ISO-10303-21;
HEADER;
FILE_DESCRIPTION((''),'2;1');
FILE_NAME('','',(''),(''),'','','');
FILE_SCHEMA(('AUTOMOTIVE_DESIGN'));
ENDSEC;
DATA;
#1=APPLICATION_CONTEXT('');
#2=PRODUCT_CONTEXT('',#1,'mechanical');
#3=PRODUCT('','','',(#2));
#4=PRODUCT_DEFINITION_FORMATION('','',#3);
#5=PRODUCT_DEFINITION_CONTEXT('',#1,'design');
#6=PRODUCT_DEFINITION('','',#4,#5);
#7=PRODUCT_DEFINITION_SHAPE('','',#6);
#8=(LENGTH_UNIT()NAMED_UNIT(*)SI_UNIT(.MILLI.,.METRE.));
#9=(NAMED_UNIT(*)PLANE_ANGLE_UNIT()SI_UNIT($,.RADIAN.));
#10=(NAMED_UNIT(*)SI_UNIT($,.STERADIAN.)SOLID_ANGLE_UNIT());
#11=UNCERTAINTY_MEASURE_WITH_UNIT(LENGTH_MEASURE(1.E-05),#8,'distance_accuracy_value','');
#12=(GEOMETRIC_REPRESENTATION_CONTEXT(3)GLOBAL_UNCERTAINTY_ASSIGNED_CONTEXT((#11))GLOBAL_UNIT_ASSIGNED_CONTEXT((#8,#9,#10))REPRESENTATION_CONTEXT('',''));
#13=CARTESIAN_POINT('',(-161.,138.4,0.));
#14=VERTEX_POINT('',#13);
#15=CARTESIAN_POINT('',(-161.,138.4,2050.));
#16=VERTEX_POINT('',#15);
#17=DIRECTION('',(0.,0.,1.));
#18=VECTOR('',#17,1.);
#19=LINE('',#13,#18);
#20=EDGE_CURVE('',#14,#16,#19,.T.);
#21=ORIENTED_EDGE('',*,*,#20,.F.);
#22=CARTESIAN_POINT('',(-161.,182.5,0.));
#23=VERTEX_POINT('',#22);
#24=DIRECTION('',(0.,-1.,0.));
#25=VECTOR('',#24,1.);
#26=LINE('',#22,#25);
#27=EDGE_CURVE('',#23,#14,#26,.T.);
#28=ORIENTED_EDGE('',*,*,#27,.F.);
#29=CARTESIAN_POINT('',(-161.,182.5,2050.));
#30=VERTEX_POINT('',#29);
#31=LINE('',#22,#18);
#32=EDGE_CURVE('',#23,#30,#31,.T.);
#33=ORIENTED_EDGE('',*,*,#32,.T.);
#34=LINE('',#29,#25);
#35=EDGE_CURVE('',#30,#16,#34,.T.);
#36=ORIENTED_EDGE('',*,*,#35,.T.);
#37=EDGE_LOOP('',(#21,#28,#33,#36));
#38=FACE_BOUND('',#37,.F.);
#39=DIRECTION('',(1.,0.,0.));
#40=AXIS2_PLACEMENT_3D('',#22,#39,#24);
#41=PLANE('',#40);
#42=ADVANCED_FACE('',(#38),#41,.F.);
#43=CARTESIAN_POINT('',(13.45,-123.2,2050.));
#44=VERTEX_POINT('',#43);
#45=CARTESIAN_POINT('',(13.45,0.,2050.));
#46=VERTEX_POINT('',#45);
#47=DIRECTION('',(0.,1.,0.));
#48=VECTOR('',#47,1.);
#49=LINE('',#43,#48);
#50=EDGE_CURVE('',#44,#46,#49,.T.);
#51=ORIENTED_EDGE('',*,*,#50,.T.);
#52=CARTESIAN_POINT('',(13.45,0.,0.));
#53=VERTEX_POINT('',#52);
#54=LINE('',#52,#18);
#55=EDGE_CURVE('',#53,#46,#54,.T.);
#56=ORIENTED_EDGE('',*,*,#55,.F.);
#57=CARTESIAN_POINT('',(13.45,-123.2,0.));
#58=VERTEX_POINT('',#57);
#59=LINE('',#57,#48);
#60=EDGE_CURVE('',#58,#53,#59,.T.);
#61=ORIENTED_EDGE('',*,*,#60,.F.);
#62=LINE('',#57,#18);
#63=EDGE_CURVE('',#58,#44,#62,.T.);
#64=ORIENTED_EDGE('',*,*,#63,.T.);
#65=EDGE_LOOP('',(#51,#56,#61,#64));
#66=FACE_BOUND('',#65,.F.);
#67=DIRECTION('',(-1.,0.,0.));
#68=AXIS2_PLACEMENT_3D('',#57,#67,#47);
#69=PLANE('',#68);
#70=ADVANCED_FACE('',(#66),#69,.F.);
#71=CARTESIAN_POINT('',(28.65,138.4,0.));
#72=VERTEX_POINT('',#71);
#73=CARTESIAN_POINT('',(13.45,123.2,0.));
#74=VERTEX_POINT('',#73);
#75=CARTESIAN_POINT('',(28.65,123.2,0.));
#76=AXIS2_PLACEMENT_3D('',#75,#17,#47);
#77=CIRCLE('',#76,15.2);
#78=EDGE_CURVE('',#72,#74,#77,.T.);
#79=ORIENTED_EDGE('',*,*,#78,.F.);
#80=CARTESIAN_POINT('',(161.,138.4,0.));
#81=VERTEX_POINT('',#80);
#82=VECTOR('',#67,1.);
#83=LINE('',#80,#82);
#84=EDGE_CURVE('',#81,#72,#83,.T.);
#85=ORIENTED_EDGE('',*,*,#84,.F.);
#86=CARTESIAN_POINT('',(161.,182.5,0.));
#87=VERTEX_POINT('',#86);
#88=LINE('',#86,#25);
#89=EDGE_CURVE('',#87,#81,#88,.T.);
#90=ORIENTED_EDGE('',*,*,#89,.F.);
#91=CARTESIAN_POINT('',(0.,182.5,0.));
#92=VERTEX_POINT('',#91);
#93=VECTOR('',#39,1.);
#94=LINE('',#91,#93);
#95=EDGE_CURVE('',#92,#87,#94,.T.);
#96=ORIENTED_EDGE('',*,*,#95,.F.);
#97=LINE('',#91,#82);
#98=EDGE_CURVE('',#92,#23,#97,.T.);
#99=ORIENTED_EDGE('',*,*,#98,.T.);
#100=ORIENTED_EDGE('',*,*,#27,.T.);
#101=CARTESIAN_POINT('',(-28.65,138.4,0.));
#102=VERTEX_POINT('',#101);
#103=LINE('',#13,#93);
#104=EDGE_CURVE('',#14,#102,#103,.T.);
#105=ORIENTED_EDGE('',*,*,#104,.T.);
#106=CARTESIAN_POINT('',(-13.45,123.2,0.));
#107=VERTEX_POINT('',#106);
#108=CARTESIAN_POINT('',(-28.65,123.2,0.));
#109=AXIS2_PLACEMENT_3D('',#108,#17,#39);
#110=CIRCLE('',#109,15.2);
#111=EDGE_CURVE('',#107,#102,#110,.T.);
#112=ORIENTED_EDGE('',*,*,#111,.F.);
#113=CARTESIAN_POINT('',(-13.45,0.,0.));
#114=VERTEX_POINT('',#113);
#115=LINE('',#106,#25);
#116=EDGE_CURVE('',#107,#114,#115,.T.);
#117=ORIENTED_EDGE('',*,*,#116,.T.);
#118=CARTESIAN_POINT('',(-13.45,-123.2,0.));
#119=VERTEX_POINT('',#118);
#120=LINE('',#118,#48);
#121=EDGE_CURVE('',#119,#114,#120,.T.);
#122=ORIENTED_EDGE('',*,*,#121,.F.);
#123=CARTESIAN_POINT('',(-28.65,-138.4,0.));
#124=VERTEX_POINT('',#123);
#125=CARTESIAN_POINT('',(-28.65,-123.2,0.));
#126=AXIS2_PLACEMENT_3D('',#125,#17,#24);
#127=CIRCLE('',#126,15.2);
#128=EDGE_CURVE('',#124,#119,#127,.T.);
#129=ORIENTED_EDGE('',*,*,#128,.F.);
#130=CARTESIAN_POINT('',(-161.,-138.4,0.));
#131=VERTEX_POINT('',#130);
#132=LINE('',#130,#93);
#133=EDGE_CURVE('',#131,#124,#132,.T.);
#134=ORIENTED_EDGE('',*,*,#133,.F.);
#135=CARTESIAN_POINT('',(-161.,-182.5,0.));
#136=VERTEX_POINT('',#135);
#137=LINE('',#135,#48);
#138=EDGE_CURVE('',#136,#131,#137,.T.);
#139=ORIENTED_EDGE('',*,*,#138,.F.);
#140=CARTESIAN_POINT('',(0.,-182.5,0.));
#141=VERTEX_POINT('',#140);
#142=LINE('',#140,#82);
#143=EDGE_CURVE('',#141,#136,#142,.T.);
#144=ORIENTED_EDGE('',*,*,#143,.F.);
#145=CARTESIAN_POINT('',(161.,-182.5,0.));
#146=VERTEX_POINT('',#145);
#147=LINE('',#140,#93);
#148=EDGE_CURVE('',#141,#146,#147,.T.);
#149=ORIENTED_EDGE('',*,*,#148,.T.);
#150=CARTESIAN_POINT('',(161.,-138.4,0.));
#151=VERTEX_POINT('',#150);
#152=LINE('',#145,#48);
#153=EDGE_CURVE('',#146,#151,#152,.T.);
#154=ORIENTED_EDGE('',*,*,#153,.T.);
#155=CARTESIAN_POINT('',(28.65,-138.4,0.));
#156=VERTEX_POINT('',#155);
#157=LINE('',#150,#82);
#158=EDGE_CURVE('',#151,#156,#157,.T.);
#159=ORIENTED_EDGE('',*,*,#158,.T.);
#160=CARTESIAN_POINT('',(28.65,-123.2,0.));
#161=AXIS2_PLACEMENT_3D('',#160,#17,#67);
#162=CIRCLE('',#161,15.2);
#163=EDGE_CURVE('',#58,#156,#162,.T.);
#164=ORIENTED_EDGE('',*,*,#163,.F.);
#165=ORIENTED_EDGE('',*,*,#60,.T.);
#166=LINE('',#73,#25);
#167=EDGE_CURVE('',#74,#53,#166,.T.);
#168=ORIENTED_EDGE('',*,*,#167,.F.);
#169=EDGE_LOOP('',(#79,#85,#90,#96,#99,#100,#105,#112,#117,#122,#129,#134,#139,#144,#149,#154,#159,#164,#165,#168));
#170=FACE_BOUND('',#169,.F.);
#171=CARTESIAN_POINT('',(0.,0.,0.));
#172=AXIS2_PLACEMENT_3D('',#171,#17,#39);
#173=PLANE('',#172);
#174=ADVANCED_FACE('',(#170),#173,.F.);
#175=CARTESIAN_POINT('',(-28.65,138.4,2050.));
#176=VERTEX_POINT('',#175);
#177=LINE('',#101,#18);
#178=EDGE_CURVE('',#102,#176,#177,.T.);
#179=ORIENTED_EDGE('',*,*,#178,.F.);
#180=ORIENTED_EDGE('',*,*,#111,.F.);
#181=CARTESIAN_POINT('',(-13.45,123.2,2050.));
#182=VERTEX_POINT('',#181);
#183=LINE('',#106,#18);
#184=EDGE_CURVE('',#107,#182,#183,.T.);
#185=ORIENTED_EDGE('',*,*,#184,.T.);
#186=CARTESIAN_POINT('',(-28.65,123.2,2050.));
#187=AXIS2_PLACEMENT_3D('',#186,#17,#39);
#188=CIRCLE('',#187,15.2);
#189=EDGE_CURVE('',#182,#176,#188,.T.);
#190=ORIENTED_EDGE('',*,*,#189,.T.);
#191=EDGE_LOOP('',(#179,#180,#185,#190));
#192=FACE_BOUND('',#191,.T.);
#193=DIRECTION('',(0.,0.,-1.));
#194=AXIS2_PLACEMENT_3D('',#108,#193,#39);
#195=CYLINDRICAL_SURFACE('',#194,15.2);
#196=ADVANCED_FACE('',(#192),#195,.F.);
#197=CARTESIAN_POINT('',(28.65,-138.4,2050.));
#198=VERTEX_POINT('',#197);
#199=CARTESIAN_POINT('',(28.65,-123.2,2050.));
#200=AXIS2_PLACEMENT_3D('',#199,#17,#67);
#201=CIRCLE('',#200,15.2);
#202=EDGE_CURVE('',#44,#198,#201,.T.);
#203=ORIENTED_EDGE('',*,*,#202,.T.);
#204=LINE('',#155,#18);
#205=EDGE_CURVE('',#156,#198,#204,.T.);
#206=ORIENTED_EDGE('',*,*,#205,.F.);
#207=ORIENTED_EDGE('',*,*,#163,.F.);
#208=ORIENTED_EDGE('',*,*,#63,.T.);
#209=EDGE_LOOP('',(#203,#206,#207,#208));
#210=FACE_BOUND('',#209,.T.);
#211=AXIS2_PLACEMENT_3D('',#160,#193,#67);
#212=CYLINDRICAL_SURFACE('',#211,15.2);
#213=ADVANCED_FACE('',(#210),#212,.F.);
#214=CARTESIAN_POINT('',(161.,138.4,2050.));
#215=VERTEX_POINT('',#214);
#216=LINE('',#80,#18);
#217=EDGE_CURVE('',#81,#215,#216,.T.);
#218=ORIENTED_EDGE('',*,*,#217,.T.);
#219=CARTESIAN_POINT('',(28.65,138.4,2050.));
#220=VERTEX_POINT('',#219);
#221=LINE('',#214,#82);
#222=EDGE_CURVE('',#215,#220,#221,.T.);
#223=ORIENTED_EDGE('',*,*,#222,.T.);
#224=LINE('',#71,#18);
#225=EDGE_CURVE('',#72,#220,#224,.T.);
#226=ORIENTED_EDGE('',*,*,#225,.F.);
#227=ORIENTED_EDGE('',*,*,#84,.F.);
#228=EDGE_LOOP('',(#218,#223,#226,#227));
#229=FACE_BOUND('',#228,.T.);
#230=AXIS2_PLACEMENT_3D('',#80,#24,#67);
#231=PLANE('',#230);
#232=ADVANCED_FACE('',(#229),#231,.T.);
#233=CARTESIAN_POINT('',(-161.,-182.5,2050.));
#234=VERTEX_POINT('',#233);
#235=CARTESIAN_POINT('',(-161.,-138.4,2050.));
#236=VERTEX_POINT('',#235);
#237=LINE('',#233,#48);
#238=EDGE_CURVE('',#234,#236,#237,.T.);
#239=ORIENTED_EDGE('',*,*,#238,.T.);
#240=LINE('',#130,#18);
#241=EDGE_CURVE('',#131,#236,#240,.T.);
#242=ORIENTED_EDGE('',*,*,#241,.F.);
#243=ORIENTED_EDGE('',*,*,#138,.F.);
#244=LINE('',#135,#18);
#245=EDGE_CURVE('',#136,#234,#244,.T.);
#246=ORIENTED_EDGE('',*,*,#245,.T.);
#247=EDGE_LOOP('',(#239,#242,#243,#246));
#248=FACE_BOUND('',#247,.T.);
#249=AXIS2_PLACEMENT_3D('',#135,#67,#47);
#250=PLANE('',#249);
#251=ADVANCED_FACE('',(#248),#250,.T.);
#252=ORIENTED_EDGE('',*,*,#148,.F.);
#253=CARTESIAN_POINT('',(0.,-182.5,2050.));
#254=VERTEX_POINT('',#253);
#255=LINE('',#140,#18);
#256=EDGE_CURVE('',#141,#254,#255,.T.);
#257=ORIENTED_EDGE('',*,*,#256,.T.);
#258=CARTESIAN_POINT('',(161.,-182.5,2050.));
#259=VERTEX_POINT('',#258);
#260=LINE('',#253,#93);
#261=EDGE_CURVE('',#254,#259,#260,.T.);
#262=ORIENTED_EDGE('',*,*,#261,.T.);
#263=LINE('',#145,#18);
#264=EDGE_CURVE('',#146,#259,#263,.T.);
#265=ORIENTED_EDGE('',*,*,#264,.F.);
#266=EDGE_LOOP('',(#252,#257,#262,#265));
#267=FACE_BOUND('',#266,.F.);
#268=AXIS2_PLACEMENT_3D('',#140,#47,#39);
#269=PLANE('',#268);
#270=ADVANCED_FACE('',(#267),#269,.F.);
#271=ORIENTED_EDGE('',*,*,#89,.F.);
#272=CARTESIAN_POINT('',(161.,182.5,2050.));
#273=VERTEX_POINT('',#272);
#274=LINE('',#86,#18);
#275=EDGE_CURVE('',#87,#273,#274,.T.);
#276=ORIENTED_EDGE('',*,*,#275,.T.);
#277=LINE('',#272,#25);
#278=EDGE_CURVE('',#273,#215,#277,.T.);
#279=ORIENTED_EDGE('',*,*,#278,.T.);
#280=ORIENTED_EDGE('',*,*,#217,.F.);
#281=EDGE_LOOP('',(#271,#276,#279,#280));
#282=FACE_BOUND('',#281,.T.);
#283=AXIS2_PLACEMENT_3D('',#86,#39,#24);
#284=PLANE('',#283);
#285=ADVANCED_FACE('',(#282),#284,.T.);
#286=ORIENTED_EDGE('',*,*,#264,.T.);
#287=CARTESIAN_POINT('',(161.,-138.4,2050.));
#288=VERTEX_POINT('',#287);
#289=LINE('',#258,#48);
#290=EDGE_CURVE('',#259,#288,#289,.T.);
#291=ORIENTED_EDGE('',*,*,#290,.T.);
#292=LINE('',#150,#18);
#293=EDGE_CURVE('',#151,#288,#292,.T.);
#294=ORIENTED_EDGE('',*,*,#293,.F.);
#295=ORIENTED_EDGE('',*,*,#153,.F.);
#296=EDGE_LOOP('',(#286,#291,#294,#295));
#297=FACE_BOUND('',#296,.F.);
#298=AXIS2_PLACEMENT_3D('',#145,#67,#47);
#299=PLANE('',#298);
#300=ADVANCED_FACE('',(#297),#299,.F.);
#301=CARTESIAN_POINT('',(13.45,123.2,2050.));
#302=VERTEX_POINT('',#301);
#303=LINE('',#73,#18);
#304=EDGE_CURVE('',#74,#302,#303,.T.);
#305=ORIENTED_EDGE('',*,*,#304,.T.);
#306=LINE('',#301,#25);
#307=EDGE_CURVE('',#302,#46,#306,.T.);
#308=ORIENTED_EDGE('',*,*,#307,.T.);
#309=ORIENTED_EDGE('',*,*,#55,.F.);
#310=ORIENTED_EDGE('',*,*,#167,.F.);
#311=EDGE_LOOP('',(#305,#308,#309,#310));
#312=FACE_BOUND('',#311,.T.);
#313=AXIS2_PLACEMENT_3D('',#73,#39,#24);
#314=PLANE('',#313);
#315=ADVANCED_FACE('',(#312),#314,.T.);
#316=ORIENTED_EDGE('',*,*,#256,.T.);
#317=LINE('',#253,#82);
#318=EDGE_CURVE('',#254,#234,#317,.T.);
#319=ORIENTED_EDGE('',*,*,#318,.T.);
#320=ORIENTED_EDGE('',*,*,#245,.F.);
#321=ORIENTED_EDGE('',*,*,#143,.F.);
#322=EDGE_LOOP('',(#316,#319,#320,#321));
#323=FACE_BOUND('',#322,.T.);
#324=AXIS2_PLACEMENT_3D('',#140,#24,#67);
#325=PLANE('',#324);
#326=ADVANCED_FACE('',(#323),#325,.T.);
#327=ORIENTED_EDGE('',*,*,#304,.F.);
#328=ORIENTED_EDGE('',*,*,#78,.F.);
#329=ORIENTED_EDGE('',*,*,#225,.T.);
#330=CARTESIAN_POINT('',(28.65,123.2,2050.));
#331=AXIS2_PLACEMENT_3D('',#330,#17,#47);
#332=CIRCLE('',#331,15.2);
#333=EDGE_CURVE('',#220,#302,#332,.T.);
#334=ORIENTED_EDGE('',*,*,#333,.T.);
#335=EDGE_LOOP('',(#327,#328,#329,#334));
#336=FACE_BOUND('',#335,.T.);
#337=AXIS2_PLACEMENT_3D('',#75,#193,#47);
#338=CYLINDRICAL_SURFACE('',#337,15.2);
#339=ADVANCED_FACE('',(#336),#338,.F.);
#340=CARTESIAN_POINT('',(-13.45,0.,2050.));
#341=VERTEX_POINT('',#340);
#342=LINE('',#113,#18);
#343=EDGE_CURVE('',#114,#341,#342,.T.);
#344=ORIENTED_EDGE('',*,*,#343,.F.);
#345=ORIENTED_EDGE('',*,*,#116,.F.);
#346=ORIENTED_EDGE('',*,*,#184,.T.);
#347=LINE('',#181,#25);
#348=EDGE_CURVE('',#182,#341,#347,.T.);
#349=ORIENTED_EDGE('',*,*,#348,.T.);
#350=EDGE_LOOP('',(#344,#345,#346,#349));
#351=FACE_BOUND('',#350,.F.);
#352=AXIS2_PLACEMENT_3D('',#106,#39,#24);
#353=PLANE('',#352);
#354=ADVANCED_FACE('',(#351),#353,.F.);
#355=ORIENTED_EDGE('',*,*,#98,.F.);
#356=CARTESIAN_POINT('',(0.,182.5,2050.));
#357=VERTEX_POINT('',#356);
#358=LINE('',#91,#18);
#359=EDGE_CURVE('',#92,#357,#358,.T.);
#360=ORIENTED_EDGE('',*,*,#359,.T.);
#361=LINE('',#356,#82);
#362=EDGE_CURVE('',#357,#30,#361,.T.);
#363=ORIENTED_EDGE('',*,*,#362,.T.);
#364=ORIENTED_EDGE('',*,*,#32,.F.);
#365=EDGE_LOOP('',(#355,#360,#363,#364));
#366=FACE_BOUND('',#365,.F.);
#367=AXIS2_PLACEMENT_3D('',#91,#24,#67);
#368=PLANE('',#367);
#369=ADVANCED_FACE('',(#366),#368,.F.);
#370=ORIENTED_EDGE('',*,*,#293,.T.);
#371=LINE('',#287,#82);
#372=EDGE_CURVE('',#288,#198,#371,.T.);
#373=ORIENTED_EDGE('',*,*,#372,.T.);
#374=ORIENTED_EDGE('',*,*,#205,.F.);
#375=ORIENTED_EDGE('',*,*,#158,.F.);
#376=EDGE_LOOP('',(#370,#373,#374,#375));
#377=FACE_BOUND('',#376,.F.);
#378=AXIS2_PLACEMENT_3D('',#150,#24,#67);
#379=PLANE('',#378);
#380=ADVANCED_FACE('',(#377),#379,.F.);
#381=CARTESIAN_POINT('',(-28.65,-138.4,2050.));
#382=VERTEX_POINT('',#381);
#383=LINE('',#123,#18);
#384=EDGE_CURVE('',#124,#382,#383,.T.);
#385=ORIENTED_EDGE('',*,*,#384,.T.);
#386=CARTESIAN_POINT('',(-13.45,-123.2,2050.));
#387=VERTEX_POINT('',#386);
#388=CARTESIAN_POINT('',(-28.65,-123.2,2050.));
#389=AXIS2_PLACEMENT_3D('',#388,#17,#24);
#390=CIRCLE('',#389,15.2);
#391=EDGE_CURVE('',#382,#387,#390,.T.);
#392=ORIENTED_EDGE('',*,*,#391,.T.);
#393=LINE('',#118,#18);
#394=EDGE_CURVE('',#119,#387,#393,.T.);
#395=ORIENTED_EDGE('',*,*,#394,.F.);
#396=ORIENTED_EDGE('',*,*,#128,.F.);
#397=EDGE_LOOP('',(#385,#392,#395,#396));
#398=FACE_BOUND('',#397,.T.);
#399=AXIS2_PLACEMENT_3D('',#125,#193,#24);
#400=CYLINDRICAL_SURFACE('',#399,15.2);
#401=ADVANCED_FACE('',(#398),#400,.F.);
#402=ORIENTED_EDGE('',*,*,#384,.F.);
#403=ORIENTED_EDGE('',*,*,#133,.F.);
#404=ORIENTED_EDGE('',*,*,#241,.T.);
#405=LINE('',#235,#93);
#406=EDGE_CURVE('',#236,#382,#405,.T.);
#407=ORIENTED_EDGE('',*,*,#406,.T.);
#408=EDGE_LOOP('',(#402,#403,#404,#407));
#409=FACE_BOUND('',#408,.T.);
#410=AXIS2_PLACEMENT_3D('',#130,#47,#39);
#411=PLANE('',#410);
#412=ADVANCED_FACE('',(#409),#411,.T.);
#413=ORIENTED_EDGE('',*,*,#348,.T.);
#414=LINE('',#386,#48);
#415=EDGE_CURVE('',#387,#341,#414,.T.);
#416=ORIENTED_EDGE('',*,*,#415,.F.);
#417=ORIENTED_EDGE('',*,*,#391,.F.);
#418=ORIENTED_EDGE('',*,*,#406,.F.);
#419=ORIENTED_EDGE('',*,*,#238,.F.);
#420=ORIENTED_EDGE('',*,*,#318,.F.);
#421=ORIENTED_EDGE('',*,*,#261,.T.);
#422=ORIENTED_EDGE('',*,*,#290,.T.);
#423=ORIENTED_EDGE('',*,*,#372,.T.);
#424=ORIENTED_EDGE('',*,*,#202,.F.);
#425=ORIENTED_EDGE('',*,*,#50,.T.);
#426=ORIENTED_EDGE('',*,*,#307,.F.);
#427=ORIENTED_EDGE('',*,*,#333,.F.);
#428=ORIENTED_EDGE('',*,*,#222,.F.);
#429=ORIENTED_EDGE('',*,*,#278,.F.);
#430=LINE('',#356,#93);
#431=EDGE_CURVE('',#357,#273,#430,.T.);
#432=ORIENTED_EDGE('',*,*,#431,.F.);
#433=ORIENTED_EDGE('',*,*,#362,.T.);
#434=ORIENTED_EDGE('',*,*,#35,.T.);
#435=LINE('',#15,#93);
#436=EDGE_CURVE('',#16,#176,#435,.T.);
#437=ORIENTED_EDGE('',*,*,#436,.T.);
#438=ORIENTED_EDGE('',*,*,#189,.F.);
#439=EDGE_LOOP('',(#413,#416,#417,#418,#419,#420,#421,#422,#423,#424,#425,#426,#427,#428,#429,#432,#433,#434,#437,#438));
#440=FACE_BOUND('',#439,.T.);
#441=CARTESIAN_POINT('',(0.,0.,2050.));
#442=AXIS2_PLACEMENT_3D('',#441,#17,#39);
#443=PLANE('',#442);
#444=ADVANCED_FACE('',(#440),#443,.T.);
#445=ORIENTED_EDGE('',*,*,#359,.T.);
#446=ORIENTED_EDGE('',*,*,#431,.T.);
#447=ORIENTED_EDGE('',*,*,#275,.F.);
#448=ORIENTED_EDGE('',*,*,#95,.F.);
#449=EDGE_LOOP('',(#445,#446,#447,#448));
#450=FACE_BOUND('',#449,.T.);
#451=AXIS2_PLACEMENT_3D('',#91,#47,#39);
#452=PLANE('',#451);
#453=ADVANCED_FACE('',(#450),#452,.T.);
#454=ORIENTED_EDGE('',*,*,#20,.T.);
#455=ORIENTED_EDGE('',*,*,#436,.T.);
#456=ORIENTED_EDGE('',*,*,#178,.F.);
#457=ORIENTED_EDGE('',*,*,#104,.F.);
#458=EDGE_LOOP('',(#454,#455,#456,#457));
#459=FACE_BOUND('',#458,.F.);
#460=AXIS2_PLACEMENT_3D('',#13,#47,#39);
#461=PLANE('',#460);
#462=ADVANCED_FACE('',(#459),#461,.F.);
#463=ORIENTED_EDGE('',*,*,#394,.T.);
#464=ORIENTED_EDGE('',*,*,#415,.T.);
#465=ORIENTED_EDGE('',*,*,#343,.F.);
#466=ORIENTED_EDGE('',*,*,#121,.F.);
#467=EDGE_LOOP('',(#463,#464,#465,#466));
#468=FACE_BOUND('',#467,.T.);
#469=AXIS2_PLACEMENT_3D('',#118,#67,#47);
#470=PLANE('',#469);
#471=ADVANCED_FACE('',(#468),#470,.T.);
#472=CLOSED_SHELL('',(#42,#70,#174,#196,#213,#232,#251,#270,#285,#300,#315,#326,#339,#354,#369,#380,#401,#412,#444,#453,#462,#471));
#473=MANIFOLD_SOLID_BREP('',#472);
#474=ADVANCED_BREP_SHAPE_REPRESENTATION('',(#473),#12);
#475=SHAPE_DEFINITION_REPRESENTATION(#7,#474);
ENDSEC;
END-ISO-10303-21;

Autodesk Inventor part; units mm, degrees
ref_plane "YZ Plane" through (0, 0, 0) normal (1, 0, 0) x (0, 1, 0)
ref_plane "Start plane" through (0, 0, 0) normal (0, 0, 1) x (1, 0, 0)
ref_plane "End plane" through (0, 0, 2050) normal (0, 0, 1) x (1, 0, 0)
sketch "Sketch" plane through (0, 0, 0) normal (0, 0, 1) x (1, 0, 0)
  line L0 (-161, -182.5) -> (-161, -138.4)
  line L1 (-161, -138.4) -> (-28.65, -138.4)
  line L2 (-13.45, -123.2) -> (-13.45, 0)
  line L3 (-13.45, 0) -> (0, 0) construction
  line L4 (0, 0) -> (0, -182.5) construction
  line L5 (0, -182.5) -> (-161, -182.5)
  line L6 (-60, 0) -> (80, 0) construction
  line L7 (0, -60) -> (0, 80) construction
  line L8 (161, -182.5) -> (161, -138.4)
  line L9 (161, -138.4) -> (28.65, -138.4)
  line L10 (13.45, -123.2) -> (13.45, 0)
  line L11 (13.45, 0) -> (0, 0) construction
  line L12 (0, -182.5) -> (161, -182.5)
  line L13 (-161, 182.5) -> (-161, 138.4)
  line L14 (-161, 138.4) -> (-28.65, 138.4)
  line L15 (-13.45, 123.2) -> (-13.45, 0)
  line L16 (0, 182.5) -> (-161, 182.5)
  line L17 (161, 182.5) -> (161, 138.4)
  line L18 (161, 138.4) -> (28.65, 138.4)
  line L19 (0, 182.5) -> (161, 182.5)
  line L20 (13.45, 123.2) -> (13.45, 0)
  arc A0 (-13.45, 123.2) -> (-28.65, 138.4) centre (-28.65, 123.2) ccw
  arc A1 (28.65, 138.4) -> (13.45, 123.2) centre (28.65, 123.2) ccw
  arc A2 (13.45, -123.2) -> (28.65, -138.4) centre (28.65, -123.2) ccw
  arc A3 (-28.65, -138.4) -> (-13.45, -123.2) centre (-28.65, -123.2) ccw
  line L21 (0, 108) -> (0, -88) construction
  line L22 (-88, 0) -> (108, 0) construction
  point P0 (-13.45, -138.4)
  point P1 (13.45, -138.4)
  point P2 (-13.45, 138.4)
  point P3 (13.45, 138.4)
  dimension "d1" = 182.5
  dimension "d2" = 44.1
  dimension "d3" = 161
  dimension "d4" = 13.45
  dimension "d10" = 15.2
extrude "Body" add sketch "Sketch" along normal up to surface (2050 mm away) from surface at 0
sketch "Sketch4" plane through (0, 0, 0) normal (0, 0, 1) x (1, 0, 0)
  line L0 (0, 0) -> (10, 0)
ref_plane "Work Plane3" through (0, 0, 0) normal (0, -1, 0) x (1, 0, 0)
sketch "Sketch5" plane through (0, 0, 0) normal (0, -1, 0) x (1, 0, 0)
  line L0 (-2, 0) -> (12, 0) projected
  line L1 (-2, 2050) -> (12, 2050) projected
  dimension "d14" = 2050
equation "\"d1\" = 0.5 * G_H"
equation "\"d2\" = G_T1"
equation "\"d3\" = 0.5 * G_W"
equation "\"d4\" = 0.5 * G_T"
equation "\"d10\" = G_IR"
equation "\"d5\" = G_L"
equation "\"G_W\" = 322"
equation "\"G_H\" = 365"
equation "\"G_T\" = 26.9"
equation "\"G_T1\" = 44.1"
equation "\"G_IR\" = 15.2"
equation "\"G_L\" = d14"
equation "\"G_OFFSET_START\" = 0"
equation "\"G_OFFSET_END\" = 0"
properties part number "AS 3679 - 310 UC - 283 - 2050" material "Steel, Mild"
